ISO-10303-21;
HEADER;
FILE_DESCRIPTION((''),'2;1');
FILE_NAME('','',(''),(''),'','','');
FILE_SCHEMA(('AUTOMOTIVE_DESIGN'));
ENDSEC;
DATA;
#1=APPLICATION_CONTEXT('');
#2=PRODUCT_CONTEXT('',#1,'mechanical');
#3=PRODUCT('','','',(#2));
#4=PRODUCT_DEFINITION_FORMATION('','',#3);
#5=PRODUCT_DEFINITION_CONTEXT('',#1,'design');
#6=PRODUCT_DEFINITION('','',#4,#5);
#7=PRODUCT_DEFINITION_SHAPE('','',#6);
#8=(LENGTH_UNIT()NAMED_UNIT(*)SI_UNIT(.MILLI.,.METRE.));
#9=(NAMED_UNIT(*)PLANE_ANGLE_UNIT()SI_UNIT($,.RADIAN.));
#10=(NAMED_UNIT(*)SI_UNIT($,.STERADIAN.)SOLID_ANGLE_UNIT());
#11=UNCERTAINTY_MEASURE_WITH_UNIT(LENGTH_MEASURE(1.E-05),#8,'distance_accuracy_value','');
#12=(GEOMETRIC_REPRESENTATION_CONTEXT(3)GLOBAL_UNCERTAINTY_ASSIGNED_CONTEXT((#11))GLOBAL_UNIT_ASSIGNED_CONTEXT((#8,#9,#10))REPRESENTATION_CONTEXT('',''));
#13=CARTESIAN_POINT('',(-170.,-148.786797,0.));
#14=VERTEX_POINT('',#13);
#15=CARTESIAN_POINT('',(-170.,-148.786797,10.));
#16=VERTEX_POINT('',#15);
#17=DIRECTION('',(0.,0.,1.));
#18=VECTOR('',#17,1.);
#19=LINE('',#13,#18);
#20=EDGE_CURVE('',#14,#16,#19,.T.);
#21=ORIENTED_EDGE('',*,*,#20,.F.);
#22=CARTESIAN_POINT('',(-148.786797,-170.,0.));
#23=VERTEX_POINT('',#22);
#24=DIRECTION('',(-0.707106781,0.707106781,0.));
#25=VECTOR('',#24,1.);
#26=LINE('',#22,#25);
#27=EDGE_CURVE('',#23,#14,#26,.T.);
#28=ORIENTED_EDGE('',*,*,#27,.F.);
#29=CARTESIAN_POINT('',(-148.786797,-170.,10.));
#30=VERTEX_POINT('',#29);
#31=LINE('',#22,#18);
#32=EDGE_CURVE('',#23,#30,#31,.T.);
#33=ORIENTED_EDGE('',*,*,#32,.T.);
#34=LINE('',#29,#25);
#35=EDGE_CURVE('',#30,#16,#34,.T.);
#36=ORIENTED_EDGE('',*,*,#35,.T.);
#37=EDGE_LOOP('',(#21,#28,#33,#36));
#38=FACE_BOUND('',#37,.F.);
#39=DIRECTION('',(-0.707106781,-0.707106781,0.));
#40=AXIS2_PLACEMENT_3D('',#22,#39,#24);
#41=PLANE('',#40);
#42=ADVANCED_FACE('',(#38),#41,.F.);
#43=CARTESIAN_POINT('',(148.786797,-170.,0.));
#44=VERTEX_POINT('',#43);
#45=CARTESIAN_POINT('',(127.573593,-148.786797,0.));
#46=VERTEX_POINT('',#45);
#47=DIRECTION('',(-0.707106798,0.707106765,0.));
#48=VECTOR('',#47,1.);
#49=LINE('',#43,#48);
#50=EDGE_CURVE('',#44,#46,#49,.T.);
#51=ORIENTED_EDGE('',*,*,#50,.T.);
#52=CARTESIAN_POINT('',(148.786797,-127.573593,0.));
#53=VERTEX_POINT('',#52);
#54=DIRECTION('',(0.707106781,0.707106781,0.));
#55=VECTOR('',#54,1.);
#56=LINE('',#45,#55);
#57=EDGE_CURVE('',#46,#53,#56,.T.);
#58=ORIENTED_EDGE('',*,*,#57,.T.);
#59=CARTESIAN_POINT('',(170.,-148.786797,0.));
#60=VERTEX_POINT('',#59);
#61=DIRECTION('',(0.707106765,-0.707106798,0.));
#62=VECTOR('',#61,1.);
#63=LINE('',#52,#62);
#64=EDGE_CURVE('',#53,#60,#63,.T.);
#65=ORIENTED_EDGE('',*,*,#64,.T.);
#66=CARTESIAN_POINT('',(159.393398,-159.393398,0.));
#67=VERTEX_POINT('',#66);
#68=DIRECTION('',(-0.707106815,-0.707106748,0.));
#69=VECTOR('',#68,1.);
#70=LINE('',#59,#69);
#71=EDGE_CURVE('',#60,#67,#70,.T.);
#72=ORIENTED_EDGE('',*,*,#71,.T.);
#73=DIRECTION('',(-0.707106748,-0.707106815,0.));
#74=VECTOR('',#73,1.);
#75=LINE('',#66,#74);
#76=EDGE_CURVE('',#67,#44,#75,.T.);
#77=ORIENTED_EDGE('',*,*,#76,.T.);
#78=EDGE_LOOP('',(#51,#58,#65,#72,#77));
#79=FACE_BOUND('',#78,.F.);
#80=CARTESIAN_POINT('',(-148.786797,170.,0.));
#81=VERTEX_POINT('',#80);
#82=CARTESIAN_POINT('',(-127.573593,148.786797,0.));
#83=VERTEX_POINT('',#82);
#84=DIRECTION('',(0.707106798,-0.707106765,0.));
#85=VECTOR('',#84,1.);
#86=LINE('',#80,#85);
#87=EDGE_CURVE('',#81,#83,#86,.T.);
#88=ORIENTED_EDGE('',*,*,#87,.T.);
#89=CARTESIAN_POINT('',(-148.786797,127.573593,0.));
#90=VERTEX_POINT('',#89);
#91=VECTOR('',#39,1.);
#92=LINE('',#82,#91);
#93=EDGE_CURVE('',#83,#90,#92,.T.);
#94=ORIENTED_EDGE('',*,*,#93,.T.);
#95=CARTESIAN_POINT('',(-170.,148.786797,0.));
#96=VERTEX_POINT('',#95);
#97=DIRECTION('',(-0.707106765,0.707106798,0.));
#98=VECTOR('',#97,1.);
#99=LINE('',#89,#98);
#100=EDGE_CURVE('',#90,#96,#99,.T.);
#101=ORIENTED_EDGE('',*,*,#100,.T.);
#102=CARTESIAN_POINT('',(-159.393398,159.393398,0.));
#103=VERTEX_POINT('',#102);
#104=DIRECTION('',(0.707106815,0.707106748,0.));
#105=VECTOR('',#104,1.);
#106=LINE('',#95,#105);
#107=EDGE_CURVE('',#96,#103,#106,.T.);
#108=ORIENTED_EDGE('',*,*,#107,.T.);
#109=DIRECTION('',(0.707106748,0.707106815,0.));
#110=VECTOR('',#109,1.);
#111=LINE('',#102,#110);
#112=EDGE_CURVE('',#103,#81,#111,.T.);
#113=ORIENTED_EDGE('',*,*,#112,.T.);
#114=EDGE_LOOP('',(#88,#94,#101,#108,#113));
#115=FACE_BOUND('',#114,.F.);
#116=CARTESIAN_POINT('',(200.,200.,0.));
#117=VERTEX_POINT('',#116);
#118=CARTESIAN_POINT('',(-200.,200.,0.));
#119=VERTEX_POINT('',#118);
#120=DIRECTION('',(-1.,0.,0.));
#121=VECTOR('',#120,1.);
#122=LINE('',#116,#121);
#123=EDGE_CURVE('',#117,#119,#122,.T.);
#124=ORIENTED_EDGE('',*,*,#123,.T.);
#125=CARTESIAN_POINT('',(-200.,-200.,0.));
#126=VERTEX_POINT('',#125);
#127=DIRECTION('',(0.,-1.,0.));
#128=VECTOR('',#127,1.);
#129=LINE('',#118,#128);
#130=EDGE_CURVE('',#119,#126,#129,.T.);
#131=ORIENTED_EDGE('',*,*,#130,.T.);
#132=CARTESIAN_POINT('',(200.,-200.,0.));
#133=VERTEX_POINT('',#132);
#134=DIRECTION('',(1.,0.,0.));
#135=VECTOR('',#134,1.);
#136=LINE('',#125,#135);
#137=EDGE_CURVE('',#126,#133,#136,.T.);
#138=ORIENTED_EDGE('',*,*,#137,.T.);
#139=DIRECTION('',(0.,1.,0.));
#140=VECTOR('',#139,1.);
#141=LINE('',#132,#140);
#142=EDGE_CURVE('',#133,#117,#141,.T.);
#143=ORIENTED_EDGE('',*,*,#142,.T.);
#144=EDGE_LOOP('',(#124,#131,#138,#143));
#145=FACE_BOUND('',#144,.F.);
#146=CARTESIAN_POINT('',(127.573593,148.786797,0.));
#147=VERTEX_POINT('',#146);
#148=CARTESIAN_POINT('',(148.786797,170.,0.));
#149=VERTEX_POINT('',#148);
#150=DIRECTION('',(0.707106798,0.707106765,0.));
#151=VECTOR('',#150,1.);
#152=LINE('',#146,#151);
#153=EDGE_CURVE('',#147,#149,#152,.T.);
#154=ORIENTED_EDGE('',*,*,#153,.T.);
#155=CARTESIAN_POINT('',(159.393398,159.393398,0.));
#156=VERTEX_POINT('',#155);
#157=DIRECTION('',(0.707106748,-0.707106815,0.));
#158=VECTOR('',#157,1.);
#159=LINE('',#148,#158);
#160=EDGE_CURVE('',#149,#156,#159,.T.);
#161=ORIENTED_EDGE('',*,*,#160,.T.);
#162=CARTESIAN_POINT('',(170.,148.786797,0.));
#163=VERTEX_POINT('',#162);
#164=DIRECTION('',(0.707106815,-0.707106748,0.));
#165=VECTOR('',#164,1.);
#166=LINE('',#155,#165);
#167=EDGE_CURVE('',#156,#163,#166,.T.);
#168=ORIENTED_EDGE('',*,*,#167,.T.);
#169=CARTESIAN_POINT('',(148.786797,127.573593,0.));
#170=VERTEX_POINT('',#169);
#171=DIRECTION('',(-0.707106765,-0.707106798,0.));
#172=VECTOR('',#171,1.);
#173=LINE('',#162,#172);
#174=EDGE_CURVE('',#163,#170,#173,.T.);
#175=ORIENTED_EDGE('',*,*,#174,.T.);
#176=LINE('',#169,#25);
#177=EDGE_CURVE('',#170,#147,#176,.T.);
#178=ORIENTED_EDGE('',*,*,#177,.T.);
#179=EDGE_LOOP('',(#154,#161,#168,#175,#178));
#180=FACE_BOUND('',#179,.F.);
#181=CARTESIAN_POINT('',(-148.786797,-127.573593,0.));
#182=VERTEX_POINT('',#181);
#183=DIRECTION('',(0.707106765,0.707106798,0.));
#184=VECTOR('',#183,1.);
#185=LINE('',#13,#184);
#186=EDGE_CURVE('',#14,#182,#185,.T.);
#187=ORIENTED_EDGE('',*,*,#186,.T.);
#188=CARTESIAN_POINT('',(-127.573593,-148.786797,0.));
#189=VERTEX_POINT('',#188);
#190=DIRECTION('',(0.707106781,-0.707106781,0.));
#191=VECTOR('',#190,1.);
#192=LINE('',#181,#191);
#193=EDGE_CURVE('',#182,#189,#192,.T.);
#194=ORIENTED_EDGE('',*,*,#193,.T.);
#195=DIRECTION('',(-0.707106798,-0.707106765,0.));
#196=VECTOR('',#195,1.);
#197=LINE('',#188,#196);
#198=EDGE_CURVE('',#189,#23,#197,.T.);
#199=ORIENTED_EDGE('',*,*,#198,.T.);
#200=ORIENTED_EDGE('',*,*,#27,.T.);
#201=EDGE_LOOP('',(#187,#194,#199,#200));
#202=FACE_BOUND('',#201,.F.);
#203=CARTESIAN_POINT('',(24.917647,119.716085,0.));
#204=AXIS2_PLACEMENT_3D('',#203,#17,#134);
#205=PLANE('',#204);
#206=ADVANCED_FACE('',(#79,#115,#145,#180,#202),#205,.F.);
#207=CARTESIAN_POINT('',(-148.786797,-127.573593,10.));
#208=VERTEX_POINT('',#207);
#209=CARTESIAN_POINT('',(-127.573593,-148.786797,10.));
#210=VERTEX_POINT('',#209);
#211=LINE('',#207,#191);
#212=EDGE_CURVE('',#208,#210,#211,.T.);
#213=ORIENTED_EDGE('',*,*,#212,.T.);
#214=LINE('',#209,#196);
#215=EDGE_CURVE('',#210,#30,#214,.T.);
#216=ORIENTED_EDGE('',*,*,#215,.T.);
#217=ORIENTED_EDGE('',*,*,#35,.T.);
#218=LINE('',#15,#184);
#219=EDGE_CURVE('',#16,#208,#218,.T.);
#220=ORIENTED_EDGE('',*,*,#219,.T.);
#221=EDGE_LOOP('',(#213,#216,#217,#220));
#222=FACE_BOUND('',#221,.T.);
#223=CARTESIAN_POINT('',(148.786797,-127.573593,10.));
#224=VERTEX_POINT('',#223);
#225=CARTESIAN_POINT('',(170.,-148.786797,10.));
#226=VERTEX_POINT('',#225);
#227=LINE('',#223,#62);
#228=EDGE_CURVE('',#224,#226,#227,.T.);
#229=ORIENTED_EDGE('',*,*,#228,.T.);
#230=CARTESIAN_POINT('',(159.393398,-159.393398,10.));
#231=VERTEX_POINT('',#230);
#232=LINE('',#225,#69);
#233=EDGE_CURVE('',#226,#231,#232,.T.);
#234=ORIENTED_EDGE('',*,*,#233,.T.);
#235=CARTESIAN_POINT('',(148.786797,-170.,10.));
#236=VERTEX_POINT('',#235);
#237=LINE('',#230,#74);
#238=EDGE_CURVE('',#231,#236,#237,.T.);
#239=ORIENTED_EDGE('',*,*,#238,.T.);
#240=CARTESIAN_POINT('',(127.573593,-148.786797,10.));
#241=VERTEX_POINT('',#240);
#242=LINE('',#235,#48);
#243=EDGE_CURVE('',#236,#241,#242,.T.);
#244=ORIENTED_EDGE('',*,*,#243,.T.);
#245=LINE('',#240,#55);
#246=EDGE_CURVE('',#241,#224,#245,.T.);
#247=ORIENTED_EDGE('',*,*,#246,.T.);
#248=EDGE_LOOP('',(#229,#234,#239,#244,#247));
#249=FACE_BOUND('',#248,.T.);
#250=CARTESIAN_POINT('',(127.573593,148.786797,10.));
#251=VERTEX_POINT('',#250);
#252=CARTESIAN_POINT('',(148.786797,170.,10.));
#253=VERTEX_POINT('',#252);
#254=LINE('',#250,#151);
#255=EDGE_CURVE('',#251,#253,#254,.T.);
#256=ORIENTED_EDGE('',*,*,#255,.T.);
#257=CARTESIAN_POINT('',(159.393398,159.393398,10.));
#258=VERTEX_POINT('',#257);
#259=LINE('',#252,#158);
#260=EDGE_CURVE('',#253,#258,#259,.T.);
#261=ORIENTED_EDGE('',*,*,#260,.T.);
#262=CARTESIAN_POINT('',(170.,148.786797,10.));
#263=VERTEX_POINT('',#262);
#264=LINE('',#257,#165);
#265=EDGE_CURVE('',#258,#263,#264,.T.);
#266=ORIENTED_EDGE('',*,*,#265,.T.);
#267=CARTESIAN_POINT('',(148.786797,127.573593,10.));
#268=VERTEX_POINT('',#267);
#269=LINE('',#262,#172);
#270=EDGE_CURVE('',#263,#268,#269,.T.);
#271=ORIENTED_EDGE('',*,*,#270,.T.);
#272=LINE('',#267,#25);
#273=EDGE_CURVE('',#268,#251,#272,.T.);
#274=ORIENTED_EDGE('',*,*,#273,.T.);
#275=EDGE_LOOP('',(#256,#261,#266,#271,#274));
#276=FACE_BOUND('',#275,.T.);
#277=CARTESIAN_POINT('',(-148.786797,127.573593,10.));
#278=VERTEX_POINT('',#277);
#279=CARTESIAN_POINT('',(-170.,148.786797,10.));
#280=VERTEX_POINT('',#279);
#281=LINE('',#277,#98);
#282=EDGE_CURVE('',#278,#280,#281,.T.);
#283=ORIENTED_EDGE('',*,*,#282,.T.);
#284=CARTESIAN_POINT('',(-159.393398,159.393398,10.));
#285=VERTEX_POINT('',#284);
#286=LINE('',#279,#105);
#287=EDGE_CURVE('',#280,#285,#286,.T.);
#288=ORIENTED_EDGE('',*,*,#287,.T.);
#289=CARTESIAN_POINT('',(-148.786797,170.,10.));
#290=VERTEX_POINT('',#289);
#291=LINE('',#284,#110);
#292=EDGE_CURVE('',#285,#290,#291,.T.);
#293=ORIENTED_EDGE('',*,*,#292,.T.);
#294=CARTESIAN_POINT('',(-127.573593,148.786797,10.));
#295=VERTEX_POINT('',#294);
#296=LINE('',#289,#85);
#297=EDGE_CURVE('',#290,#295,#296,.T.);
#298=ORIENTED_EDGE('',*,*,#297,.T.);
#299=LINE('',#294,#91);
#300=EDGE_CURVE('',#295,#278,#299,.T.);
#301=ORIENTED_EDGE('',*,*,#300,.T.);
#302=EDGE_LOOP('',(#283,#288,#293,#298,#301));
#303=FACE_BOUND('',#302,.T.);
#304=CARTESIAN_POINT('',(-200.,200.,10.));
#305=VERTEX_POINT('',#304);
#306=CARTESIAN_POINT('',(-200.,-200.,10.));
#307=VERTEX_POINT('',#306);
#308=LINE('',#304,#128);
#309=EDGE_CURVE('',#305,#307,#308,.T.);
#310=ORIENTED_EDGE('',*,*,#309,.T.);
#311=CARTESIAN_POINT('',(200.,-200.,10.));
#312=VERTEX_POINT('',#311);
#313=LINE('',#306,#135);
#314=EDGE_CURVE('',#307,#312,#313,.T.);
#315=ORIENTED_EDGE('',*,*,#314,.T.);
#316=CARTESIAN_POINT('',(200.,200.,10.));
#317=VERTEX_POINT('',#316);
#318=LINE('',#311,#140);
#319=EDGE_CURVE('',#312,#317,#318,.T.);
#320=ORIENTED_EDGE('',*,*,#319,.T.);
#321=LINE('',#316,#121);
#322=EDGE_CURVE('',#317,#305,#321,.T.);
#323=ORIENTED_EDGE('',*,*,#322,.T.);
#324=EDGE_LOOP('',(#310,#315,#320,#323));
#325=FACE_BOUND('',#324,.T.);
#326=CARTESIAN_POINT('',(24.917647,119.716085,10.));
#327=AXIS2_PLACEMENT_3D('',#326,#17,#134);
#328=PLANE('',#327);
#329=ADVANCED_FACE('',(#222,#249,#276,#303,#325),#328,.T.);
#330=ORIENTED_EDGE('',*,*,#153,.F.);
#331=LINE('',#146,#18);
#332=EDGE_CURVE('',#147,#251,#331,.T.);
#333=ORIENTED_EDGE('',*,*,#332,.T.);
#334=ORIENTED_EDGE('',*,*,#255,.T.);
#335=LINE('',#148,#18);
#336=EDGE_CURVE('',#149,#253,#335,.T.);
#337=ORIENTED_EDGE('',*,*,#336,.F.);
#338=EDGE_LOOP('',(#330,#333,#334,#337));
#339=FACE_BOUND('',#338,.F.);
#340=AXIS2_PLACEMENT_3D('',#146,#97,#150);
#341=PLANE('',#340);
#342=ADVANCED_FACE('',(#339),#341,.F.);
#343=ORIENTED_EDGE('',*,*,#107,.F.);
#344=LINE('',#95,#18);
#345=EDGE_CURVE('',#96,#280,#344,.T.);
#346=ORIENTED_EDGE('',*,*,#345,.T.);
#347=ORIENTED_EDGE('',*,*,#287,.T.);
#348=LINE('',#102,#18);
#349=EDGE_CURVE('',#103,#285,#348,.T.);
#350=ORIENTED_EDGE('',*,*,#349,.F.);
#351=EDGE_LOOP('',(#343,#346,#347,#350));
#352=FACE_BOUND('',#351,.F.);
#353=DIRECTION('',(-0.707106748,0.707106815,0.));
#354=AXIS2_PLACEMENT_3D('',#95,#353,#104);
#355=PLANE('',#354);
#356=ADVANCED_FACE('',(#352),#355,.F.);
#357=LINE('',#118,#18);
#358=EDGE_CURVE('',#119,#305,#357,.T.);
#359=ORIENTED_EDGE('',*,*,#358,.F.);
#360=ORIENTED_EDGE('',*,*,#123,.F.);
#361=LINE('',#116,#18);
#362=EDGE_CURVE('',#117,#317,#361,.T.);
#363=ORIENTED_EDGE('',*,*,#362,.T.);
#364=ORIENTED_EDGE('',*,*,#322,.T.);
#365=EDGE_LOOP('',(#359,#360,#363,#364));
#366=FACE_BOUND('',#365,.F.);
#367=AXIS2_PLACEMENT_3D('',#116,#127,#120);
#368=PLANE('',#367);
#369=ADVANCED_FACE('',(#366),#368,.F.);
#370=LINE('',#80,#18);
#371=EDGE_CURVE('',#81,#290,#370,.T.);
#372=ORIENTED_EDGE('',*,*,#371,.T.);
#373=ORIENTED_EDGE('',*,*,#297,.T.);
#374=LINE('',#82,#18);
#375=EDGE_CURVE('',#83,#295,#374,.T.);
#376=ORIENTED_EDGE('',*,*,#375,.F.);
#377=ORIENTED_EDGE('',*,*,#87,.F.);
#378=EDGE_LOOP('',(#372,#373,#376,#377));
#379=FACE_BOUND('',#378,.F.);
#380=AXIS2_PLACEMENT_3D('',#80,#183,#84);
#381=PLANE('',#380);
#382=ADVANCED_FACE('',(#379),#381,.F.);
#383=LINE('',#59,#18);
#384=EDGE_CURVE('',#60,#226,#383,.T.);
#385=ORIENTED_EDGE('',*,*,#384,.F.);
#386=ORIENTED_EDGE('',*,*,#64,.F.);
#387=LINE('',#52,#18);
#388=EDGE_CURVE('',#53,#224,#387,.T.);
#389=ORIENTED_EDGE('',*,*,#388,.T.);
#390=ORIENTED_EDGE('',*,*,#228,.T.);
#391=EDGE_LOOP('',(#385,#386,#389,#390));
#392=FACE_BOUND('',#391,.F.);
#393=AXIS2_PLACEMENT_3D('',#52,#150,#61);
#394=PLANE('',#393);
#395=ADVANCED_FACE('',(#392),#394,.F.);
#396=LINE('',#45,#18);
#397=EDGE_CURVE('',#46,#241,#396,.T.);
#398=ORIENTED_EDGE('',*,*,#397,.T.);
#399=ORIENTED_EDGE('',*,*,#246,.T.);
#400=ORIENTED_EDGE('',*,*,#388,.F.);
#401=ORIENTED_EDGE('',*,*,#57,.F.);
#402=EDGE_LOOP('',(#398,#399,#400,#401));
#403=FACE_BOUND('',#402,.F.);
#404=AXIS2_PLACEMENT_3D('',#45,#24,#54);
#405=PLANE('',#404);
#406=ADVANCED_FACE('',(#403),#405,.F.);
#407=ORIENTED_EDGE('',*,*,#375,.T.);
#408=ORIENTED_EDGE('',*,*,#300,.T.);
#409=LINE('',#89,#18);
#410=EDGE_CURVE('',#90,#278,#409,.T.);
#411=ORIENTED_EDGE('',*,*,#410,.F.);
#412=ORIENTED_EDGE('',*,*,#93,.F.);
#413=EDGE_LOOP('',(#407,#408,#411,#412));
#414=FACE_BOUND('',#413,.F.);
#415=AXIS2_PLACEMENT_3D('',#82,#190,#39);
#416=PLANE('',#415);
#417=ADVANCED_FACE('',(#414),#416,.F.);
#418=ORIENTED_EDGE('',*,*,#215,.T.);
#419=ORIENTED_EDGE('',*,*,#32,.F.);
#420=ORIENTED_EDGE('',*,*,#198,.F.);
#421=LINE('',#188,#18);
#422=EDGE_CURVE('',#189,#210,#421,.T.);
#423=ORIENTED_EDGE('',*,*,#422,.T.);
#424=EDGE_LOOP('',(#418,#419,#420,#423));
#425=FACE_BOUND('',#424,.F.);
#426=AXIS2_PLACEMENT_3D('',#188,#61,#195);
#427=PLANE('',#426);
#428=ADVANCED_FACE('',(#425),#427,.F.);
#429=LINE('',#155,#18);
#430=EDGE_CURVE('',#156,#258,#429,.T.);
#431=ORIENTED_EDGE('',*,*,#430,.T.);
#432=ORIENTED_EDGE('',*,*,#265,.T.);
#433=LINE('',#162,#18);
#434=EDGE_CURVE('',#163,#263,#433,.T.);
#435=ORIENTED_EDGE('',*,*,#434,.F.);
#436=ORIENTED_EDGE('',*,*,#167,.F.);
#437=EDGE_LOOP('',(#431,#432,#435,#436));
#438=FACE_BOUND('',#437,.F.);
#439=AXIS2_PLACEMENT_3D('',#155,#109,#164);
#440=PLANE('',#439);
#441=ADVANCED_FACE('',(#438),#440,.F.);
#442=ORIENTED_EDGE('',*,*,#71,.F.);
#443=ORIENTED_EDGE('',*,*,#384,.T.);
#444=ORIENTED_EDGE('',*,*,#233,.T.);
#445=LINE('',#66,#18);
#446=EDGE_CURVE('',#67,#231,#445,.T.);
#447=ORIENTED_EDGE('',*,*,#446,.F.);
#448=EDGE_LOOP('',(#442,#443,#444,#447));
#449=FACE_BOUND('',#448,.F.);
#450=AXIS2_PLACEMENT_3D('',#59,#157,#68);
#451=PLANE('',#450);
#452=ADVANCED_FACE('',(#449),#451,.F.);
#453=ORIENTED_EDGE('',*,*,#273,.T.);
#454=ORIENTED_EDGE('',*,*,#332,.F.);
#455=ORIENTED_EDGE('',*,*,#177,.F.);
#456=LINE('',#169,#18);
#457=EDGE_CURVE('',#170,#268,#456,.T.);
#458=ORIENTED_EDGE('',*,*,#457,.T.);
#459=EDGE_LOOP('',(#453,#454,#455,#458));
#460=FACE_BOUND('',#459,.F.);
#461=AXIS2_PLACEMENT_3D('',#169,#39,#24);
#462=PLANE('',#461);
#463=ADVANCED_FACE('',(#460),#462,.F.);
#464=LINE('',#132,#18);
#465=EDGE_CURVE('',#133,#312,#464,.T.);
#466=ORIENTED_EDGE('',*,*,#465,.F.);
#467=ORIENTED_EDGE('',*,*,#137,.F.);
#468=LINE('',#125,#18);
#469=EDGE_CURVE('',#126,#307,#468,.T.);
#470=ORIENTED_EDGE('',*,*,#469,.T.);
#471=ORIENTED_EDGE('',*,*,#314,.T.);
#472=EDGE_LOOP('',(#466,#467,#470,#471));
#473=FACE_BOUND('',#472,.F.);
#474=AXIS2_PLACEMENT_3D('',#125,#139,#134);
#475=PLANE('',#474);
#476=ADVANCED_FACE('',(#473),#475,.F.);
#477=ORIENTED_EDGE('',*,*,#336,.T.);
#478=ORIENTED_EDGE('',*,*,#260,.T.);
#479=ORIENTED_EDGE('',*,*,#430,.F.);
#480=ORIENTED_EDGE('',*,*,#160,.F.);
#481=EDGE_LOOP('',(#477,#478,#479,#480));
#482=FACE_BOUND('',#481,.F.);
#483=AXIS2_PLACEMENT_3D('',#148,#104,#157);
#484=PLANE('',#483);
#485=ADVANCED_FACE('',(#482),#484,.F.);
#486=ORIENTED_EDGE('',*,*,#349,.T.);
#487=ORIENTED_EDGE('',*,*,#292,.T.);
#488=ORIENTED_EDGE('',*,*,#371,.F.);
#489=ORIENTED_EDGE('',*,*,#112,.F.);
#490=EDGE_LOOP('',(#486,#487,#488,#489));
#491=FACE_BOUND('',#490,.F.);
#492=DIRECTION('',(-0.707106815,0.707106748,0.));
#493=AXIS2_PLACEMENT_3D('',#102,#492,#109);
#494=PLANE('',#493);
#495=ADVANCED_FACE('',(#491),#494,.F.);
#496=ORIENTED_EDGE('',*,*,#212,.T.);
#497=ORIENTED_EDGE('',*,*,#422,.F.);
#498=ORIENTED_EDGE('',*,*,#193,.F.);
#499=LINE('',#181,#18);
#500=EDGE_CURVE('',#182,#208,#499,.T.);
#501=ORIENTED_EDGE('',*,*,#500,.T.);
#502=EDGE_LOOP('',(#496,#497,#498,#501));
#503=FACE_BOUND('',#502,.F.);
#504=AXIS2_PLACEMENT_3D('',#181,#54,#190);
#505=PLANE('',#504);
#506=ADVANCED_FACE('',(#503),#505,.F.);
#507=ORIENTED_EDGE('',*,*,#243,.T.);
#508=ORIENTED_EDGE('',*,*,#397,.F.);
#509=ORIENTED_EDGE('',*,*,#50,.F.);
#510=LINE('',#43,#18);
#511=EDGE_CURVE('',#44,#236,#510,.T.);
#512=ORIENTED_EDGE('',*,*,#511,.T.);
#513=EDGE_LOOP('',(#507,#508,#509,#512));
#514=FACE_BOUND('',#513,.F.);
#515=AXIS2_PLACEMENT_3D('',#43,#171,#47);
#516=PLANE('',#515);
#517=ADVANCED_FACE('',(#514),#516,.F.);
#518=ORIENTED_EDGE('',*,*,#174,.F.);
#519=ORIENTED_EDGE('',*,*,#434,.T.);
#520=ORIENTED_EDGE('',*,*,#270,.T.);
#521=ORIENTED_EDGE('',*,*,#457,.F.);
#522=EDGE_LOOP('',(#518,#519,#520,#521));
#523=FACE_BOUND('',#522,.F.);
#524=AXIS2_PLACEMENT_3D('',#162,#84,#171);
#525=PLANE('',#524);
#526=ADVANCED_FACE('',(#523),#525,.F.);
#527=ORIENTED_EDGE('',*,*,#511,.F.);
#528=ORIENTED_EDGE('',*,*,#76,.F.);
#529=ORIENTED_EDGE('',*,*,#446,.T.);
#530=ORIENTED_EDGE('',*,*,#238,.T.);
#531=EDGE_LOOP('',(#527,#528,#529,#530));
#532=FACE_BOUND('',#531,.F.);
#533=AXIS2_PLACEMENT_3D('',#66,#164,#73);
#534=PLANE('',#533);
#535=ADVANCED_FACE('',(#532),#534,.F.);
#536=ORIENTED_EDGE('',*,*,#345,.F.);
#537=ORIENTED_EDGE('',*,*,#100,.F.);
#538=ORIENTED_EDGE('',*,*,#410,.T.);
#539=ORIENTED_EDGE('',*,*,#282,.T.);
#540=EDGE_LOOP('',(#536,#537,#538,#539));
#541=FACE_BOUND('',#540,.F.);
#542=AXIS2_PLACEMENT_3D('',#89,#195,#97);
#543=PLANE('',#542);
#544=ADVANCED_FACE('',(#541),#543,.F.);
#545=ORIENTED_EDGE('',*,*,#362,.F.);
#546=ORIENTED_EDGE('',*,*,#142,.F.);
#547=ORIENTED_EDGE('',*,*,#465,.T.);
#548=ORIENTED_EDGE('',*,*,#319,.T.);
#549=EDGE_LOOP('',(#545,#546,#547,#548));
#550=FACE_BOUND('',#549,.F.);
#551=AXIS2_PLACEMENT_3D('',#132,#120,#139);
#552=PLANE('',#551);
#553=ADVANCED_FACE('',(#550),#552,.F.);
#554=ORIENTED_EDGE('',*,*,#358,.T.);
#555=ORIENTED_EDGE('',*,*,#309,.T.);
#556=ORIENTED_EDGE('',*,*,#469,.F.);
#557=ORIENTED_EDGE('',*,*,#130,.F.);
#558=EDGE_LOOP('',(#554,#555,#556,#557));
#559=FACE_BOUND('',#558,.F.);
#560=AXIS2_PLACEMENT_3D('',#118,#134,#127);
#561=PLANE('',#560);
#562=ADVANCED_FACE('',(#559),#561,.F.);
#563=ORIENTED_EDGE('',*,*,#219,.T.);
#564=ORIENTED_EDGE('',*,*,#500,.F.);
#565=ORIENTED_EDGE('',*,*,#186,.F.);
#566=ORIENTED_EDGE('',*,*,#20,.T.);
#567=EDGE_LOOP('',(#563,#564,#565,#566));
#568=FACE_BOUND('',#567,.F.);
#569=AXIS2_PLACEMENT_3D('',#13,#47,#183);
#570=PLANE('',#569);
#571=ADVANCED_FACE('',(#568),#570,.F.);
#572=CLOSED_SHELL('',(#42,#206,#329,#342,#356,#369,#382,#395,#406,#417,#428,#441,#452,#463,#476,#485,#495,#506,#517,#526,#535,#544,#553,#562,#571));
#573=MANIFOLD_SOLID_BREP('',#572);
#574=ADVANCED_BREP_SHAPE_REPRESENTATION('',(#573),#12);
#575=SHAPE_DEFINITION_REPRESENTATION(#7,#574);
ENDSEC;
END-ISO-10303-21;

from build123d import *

# Parameters (mm, degrees)
F1_DEPTH = 10


with BuildPart() as f1:
    # F0 (on Top) → F1 (new body)
    with BuildSketch(Plane.XY):
        Polygon((200, 0), (200, 200), (-200, 200), (-159.393398, 159.393398), (-148.786797, 170), (-127.573593, 148.786797), (-138.180195, 138.180195), (0, 0), align=None)
        Polygon((148.786797, 170), (159.393398, 159.393398), (170, 148.786797), (148.786797, 127.573593), (127.573593, 148.786797), align=None, mode=Mode.SUBTRACT)
        Polygon((-159.393398, 159.393398), (-200, 200), (-200, 0), (0, 0), (-138.180195, 138.180195), (-148.786797, 127.573593), (-170, 148.786797), align=None)
        Polygon((0, 0), (-200, 0), (-200, -200), (200, -200), (159.393398, -159.393398), (148.786797, -170), (127.573593, -148.786797), (138.180195, -138.180195), align=None)
        Polygon((-170, -148.786797), (-148.786797, -127.573593), (-127.573593, -148.786797), (-148.786797, -170), align=None, mode=Mode.SUBTRACT)
        Polygon((200, -200), (200, 0), (0, 0), (138.180195, -138.180195), (148.786797, -127.573593), (170, -148.786797), (159.393398, -159.393398), align=None)
    extrude(amount=F1_DEPTH)


solid = f1.part
